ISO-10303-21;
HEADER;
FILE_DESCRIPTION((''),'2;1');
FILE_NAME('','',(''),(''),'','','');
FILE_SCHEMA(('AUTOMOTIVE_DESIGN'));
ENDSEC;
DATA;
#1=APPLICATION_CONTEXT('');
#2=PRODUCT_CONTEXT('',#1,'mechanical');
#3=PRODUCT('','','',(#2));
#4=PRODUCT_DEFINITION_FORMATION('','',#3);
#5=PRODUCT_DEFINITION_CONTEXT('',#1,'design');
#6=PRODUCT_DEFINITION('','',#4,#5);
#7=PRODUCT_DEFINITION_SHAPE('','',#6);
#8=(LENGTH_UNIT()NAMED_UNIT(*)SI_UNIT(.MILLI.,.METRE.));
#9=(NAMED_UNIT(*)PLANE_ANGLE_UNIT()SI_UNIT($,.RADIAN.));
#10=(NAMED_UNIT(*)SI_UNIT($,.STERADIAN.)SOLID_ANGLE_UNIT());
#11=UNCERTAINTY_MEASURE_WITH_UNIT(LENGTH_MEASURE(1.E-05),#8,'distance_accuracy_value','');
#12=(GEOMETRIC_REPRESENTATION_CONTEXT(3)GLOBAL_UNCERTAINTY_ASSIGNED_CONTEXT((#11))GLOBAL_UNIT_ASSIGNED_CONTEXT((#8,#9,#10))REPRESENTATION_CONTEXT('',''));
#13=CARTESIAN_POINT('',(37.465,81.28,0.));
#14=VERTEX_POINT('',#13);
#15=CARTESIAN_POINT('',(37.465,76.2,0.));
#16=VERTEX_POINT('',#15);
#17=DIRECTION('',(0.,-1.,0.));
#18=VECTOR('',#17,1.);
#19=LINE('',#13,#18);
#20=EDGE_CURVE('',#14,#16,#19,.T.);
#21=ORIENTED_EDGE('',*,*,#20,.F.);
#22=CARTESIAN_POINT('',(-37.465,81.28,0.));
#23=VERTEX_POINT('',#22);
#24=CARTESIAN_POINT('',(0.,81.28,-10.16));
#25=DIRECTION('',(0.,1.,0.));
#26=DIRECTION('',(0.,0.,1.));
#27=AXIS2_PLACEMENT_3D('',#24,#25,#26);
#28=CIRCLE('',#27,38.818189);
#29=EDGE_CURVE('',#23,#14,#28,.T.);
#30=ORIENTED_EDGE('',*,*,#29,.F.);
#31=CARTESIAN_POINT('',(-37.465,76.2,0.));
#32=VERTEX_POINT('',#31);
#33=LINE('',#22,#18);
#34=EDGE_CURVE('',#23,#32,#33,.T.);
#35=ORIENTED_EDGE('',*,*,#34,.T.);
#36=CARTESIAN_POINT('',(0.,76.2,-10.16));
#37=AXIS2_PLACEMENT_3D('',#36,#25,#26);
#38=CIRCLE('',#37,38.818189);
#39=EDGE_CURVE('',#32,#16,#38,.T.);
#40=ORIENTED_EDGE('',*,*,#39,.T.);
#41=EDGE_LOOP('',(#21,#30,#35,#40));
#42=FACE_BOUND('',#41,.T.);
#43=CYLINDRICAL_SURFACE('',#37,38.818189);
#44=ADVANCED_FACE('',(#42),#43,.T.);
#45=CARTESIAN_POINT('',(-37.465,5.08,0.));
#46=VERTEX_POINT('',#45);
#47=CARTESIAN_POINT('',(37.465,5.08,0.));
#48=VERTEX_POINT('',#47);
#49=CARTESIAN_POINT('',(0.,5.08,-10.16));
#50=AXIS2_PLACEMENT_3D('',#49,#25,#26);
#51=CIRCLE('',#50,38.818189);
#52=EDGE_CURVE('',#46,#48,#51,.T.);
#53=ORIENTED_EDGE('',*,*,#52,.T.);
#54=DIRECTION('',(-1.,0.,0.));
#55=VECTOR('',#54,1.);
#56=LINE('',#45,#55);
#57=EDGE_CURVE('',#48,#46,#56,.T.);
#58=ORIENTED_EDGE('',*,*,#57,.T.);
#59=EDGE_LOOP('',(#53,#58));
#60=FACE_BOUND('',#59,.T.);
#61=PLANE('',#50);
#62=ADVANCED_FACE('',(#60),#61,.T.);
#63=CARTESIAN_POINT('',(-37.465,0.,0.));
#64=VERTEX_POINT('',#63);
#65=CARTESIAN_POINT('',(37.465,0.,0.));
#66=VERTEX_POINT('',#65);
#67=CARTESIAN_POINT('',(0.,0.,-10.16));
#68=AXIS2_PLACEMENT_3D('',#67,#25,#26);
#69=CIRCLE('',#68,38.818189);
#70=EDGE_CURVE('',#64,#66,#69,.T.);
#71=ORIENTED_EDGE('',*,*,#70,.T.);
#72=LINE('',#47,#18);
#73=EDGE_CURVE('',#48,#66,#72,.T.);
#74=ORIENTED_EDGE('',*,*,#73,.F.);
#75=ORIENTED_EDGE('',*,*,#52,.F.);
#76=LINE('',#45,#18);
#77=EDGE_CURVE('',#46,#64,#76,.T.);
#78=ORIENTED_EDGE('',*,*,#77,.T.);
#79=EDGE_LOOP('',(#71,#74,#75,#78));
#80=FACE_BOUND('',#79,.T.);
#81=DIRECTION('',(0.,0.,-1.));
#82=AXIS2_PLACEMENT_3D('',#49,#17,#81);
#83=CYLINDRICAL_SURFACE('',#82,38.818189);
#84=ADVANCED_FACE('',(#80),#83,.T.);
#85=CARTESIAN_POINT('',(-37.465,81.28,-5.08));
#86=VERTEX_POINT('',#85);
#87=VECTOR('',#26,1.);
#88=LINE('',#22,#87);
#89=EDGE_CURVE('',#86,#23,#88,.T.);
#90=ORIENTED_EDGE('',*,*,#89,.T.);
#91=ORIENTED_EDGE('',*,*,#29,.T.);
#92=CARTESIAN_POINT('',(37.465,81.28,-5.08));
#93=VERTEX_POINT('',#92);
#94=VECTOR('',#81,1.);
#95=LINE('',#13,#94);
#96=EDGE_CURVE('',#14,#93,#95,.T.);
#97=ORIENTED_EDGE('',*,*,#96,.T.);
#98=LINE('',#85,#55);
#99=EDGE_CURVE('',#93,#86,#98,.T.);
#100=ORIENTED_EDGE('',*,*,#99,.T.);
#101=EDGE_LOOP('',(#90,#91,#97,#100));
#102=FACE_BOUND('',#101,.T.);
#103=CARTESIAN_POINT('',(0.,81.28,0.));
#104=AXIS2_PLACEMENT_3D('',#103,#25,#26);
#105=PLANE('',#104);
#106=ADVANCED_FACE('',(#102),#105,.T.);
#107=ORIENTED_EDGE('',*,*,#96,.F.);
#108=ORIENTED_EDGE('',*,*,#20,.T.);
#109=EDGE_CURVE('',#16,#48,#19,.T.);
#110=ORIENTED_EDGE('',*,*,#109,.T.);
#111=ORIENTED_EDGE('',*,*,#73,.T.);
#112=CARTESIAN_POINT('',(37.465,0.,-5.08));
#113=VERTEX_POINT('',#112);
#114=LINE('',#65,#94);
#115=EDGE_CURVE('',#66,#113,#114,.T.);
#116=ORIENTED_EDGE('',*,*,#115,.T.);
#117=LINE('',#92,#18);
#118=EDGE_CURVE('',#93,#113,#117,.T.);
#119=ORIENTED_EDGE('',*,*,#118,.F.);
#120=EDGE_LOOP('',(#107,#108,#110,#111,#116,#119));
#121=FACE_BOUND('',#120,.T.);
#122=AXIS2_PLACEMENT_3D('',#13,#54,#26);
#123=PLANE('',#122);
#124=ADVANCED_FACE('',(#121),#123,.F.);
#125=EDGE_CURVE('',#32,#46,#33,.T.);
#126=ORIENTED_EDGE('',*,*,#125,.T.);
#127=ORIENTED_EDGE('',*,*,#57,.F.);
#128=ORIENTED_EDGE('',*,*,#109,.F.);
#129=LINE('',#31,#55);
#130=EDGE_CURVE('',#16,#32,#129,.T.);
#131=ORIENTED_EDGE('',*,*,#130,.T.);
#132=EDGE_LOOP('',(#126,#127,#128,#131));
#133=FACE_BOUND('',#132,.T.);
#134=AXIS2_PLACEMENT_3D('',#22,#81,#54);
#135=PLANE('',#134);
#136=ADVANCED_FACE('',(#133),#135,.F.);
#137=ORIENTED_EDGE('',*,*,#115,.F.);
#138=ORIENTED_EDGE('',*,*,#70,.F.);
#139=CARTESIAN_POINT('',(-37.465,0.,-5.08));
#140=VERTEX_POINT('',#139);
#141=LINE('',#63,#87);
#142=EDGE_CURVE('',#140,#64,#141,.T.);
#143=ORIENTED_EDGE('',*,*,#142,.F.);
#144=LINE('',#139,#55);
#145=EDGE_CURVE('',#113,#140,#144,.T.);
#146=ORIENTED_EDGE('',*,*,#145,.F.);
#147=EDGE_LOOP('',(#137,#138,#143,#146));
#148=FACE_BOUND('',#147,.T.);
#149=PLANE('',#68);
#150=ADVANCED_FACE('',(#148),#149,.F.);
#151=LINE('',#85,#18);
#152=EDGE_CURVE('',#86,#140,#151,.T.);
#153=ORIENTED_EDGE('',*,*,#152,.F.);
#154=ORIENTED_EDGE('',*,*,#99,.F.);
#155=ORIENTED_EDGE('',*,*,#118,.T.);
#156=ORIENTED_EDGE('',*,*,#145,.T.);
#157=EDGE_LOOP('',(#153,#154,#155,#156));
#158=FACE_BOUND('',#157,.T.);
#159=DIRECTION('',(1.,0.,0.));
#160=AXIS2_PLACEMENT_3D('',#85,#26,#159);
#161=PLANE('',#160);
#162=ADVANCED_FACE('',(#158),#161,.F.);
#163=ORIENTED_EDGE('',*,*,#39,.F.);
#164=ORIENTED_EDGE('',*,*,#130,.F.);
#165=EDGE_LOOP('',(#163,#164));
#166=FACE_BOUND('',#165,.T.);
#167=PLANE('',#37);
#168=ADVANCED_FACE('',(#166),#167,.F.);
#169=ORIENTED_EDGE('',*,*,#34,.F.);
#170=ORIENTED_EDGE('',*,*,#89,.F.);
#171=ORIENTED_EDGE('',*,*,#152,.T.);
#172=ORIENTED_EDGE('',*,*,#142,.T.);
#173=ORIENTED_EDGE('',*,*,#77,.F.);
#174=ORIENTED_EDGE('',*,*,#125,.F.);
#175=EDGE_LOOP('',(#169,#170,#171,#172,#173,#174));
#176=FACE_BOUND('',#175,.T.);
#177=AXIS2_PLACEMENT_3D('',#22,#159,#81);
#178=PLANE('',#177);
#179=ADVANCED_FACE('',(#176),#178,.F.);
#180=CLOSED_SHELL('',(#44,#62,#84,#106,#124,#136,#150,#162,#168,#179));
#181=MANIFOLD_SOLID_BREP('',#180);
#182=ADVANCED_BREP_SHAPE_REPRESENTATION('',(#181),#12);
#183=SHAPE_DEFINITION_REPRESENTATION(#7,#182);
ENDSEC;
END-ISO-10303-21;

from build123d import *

# Parameters (mm, degrees)
BOSS_EXTRUDE1_DEPTH      = 5.08
BOSS_EXTRUDE2_DEPTH      = 76.2
BOSS_EXTRUDE2_DEPTH_BACK = 5.08
SKETCH3_W                = 74.93
SKETCH3_H                = 5.08
BOSS_EXTRUDE3_START      = -5.08
BOSS_EXTRUDE3_DEPTH      = 5.08


with BuildPart() as part:
    # Sketch2 → Boss-Extrude1 (new body)
    with BuildSketch(Plane(origin=(0, 0, 0), x_dir=(1, 0, 0), z_dir=(0, 1, 0))):
        with BuildLine():
            Line((-37.465, 0), (37.465, 0))
            ThreePointArc((37.465, 0), (0, -28.658189358), (-37.465, 0))
        make_face()
    extrude(amount=BOSS_EXTRUDE1_DEPTH)

    # Sketch3 → Boss-Extrude2 (add, two sides: drawn at the far end of the back side and taken through both)
    with BuildSketch(Plane(origin=(0, 5.08, 0), x_dir=(1, 0, 0), z_dir=(0, 1, 0)).offset(-BOSS_EXTRUDE2_DEPTH_BACK)):
        with Locations((0, 2.54)):
            Rectangle(SKETCH3_W, SKETCH3_H)
    extrude(amount=BOSS_EXTRUDE2_DEPTH + BOSS_EXTRUDE2_DEPTH_BACK)

    # Sketch4 → Boss-Extrude3 (add)
    with BuildSketch(Plane(origin=(0, 81.28, 0), x_dir=(1, 0, 0), z_dir=(0, 1, 0)).offset(BOSS_EXTRUDE3_START)):
        with BuildLine():
            Line((-37.465, 0), (37.465, 0))
            ThreePointArc((37.465, 0), (0, -28.658189358), (-37.465, 0))
        make_face()
    extrude(amount=BOSS_EXTRUDE3_DEPTH)


solid = part.part
